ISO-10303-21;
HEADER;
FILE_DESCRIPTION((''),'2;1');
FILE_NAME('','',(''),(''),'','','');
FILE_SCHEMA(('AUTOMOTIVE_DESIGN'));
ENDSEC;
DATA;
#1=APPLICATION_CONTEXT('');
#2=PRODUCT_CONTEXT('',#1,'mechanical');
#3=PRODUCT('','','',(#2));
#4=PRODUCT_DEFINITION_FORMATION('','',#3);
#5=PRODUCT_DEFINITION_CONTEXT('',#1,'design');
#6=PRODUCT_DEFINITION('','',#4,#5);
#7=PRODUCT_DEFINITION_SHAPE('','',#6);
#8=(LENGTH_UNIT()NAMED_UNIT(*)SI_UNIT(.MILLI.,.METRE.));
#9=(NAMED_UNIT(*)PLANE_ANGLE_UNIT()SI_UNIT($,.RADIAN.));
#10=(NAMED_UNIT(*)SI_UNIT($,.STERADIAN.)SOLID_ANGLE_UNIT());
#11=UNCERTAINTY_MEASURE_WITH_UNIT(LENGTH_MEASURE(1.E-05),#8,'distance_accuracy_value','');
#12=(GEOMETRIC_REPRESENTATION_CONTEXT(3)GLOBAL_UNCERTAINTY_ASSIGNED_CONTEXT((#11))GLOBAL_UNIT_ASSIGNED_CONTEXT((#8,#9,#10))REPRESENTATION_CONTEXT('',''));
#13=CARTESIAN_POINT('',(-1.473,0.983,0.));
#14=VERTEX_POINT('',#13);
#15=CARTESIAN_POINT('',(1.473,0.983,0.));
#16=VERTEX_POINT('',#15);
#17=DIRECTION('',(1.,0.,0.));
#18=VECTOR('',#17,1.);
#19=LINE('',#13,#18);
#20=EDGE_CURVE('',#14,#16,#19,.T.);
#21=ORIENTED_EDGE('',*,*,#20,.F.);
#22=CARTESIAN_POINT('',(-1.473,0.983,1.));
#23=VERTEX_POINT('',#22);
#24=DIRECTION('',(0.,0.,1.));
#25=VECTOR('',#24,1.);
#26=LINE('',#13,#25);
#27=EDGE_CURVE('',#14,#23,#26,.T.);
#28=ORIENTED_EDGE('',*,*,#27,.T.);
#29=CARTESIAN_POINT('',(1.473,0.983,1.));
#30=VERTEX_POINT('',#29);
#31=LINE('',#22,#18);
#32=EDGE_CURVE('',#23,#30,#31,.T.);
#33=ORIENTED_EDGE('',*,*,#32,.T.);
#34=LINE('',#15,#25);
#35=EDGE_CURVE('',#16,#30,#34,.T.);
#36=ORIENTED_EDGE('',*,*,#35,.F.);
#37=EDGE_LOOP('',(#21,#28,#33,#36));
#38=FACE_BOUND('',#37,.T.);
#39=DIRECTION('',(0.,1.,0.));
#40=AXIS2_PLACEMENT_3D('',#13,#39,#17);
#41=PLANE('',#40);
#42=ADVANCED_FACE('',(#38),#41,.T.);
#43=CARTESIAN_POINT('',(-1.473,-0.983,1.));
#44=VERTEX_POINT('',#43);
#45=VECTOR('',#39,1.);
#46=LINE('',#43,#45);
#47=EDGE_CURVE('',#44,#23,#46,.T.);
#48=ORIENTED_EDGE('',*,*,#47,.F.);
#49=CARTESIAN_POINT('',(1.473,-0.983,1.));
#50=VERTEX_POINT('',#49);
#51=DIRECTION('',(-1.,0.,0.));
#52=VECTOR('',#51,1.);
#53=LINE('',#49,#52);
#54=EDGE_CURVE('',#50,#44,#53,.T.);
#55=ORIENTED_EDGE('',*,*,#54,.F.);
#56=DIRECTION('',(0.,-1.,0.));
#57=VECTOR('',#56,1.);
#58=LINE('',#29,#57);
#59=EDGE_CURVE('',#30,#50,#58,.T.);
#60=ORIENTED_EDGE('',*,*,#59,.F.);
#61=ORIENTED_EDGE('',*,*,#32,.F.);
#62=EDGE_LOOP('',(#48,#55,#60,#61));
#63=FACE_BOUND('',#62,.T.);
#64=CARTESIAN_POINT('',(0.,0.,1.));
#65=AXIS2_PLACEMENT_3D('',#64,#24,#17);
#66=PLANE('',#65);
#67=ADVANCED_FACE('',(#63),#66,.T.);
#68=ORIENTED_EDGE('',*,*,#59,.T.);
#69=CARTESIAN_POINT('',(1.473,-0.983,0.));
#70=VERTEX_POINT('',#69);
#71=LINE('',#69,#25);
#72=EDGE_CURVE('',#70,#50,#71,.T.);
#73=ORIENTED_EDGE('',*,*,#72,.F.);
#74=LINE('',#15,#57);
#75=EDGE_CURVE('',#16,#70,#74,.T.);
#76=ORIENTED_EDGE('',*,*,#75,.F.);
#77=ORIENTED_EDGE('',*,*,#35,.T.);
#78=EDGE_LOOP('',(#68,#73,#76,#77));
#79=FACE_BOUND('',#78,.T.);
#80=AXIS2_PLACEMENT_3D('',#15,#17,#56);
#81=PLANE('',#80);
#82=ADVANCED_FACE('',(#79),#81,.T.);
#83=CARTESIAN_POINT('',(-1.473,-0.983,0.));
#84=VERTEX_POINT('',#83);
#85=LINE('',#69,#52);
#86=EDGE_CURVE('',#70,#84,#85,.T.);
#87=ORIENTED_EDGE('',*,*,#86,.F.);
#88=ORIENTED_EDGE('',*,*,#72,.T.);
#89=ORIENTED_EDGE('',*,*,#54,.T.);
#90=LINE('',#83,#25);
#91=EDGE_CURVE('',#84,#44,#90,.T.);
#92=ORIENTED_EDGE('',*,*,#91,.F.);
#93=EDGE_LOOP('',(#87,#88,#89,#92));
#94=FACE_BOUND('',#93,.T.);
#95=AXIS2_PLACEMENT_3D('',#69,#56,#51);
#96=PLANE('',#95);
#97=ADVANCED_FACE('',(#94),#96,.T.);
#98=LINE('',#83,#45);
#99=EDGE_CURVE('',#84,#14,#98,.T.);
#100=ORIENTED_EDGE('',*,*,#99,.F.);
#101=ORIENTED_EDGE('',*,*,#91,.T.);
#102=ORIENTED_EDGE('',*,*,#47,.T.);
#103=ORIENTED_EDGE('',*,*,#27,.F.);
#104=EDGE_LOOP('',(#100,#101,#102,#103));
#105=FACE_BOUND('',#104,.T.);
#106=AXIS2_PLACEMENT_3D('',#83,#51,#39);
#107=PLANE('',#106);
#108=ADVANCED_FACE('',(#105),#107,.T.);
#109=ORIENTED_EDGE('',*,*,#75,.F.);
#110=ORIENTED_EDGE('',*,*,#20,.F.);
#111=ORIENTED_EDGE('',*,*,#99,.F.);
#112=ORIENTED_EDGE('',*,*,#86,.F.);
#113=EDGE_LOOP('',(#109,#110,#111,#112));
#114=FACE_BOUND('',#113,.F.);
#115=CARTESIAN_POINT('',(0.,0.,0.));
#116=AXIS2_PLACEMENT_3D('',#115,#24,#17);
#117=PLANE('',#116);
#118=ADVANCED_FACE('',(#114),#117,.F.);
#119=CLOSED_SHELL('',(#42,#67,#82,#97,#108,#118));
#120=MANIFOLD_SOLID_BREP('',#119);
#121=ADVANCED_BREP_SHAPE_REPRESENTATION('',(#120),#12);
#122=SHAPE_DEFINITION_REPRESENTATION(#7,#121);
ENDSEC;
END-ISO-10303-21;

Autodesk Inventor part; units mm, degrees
ref_plane "YZ Plane" through (0, 0, 0) normal (1, 0, 0) x (0, 1, 0)
ref_plane "XZ Plane" through (0, 0, 0) normal (0, 1, 0) x (-1, 0, 0)
ref_plane "XY Plane" through (0, 0, 0) normal (0, 0, 1) x (1, 0, 0)
sketch "R0603, 10K_52" plane through (0, 0, 0) normal (0, 0, 1) x (1, 0, 0)
  line L0 (-1.473, 0.983) -> (1.473, 0.983)
  line L1 (1.473, 0.983) -> (1.473, -0.983)
  line L2 (1.473, -0.983) -> (-1.473, -0.983)
  line L3 (-1.473, -0.983) -> (-1.473, 0.983)
extrude "Extrusion1" add sketch "R0603, 10K_52" along normal blind 1
properties part number "10K"
